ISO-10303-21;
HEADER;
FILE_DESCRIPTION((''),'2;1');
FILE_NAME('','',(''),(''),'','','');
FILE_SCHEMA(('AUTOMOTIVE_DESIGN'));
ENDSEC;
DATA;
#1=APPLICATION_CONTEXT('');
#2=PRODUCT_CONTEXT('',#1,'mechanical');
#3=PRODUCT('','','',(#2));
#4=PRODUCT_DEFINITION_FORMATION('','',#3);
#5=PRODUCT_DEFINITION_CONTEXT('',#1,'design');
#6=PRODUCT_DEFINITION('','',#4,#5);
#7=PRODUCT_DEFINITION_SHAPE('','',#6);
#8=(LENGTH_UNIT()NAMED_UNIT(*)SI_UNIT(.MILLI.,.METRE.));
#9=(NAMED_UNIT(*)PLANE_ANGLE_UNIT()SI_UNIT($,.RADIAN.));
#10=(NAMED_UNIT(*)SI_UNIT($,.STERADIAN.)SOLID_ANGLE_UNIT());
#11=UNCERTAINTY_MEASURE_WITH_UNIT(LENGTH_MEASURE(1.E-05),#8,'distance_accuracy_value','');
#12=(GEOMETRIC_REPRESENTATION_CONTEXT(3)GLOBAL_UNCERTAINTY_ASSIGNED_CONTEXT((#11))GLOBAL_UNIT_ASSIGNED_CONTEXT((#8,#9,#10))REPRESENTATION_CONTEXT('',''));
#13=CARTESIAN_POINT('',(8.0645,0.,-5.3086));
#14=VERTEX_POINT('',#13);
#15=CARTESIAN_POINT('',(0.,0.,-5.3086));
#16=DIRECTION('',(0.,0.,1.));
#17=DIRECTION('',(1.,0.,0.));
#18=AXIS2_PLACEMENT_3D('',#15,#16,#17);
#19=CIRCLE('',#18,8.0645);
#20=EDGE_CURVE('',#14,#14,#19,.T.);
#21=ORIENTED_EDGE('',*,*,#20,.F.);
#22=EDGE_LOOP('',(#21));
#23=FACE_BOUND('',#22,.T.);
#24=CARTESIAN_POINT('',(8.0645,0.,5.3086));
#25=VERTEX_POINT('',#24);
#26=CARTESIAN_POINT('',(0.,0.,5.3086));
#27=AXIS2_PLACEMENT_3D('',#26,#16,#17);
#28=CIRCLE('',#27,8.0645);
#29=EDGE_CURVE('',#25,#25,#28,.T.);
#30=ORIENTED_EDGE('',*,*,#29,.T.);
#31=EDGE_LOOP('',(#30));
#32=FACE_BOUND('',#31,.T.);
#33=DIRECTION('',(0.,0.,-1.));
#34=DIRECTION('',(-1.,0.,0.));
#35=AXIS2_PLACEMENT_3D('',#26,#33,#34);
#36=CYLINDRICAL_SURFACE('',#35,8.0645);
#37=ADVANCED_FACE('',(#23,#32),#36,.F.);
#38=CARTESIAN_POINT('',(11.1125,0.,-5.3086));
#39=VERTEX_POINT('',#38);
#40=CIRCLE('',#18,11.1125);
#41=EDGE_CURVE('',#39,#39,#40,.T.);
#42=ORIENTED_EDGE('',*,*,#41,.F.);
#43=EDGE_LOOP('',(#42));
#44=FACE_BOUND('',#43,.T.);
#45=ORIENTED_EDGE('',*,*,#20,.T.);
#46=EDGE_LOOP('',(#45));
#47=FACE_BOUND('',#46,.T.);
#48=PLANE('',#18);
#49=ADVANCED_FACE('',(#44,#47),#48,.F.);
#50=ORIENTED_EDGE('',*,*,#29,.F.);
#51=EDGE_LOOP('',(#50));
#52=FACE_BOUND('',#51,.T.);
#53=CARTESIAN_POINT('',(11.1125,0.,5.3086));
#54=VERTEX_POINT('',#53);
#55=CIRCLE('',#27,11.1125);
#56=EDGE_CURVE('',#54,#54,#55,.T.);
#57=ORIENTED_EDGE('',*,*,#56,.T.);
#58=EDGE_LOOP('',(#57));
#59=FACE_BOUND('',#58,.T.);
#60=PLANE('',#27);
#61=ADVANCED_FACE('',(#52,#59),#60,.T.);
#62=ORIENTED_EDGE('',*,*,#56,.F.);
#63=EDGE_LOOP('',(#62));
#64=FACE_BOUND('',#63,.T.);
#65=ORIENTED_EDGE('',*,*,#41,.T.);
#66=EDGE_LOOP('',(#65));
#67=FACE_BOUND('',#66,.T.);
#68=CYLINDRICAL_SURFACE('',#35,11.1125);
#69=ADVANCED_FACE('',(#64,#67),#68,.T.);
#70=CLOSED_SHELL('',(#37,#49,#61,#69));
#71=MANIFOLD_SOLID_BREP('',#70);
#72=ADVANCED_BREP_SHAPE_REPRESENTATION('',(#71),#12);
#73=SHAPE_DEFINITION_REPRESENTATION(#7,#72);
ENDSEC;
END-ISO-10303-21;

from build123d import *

# Parameters (mm, degrees)
SKETCH1_R      = 11.1125
SKETCH1_R_2    = 8.0645
EXTRUDE1_DEPTH = 5.3086


with BuildPart() as part:
    # Sketch1 → Extrude1 (new body, symmetric)
    with BuildSketch(Plane.XY):
        Circle(SKETCH1_R)
        Circle(SKETCH1_R_2, mode=Mode.SUBTRACT)
    extrude(amount=EXTRUDE1_DEPTH, both=True)


solid = part.part
